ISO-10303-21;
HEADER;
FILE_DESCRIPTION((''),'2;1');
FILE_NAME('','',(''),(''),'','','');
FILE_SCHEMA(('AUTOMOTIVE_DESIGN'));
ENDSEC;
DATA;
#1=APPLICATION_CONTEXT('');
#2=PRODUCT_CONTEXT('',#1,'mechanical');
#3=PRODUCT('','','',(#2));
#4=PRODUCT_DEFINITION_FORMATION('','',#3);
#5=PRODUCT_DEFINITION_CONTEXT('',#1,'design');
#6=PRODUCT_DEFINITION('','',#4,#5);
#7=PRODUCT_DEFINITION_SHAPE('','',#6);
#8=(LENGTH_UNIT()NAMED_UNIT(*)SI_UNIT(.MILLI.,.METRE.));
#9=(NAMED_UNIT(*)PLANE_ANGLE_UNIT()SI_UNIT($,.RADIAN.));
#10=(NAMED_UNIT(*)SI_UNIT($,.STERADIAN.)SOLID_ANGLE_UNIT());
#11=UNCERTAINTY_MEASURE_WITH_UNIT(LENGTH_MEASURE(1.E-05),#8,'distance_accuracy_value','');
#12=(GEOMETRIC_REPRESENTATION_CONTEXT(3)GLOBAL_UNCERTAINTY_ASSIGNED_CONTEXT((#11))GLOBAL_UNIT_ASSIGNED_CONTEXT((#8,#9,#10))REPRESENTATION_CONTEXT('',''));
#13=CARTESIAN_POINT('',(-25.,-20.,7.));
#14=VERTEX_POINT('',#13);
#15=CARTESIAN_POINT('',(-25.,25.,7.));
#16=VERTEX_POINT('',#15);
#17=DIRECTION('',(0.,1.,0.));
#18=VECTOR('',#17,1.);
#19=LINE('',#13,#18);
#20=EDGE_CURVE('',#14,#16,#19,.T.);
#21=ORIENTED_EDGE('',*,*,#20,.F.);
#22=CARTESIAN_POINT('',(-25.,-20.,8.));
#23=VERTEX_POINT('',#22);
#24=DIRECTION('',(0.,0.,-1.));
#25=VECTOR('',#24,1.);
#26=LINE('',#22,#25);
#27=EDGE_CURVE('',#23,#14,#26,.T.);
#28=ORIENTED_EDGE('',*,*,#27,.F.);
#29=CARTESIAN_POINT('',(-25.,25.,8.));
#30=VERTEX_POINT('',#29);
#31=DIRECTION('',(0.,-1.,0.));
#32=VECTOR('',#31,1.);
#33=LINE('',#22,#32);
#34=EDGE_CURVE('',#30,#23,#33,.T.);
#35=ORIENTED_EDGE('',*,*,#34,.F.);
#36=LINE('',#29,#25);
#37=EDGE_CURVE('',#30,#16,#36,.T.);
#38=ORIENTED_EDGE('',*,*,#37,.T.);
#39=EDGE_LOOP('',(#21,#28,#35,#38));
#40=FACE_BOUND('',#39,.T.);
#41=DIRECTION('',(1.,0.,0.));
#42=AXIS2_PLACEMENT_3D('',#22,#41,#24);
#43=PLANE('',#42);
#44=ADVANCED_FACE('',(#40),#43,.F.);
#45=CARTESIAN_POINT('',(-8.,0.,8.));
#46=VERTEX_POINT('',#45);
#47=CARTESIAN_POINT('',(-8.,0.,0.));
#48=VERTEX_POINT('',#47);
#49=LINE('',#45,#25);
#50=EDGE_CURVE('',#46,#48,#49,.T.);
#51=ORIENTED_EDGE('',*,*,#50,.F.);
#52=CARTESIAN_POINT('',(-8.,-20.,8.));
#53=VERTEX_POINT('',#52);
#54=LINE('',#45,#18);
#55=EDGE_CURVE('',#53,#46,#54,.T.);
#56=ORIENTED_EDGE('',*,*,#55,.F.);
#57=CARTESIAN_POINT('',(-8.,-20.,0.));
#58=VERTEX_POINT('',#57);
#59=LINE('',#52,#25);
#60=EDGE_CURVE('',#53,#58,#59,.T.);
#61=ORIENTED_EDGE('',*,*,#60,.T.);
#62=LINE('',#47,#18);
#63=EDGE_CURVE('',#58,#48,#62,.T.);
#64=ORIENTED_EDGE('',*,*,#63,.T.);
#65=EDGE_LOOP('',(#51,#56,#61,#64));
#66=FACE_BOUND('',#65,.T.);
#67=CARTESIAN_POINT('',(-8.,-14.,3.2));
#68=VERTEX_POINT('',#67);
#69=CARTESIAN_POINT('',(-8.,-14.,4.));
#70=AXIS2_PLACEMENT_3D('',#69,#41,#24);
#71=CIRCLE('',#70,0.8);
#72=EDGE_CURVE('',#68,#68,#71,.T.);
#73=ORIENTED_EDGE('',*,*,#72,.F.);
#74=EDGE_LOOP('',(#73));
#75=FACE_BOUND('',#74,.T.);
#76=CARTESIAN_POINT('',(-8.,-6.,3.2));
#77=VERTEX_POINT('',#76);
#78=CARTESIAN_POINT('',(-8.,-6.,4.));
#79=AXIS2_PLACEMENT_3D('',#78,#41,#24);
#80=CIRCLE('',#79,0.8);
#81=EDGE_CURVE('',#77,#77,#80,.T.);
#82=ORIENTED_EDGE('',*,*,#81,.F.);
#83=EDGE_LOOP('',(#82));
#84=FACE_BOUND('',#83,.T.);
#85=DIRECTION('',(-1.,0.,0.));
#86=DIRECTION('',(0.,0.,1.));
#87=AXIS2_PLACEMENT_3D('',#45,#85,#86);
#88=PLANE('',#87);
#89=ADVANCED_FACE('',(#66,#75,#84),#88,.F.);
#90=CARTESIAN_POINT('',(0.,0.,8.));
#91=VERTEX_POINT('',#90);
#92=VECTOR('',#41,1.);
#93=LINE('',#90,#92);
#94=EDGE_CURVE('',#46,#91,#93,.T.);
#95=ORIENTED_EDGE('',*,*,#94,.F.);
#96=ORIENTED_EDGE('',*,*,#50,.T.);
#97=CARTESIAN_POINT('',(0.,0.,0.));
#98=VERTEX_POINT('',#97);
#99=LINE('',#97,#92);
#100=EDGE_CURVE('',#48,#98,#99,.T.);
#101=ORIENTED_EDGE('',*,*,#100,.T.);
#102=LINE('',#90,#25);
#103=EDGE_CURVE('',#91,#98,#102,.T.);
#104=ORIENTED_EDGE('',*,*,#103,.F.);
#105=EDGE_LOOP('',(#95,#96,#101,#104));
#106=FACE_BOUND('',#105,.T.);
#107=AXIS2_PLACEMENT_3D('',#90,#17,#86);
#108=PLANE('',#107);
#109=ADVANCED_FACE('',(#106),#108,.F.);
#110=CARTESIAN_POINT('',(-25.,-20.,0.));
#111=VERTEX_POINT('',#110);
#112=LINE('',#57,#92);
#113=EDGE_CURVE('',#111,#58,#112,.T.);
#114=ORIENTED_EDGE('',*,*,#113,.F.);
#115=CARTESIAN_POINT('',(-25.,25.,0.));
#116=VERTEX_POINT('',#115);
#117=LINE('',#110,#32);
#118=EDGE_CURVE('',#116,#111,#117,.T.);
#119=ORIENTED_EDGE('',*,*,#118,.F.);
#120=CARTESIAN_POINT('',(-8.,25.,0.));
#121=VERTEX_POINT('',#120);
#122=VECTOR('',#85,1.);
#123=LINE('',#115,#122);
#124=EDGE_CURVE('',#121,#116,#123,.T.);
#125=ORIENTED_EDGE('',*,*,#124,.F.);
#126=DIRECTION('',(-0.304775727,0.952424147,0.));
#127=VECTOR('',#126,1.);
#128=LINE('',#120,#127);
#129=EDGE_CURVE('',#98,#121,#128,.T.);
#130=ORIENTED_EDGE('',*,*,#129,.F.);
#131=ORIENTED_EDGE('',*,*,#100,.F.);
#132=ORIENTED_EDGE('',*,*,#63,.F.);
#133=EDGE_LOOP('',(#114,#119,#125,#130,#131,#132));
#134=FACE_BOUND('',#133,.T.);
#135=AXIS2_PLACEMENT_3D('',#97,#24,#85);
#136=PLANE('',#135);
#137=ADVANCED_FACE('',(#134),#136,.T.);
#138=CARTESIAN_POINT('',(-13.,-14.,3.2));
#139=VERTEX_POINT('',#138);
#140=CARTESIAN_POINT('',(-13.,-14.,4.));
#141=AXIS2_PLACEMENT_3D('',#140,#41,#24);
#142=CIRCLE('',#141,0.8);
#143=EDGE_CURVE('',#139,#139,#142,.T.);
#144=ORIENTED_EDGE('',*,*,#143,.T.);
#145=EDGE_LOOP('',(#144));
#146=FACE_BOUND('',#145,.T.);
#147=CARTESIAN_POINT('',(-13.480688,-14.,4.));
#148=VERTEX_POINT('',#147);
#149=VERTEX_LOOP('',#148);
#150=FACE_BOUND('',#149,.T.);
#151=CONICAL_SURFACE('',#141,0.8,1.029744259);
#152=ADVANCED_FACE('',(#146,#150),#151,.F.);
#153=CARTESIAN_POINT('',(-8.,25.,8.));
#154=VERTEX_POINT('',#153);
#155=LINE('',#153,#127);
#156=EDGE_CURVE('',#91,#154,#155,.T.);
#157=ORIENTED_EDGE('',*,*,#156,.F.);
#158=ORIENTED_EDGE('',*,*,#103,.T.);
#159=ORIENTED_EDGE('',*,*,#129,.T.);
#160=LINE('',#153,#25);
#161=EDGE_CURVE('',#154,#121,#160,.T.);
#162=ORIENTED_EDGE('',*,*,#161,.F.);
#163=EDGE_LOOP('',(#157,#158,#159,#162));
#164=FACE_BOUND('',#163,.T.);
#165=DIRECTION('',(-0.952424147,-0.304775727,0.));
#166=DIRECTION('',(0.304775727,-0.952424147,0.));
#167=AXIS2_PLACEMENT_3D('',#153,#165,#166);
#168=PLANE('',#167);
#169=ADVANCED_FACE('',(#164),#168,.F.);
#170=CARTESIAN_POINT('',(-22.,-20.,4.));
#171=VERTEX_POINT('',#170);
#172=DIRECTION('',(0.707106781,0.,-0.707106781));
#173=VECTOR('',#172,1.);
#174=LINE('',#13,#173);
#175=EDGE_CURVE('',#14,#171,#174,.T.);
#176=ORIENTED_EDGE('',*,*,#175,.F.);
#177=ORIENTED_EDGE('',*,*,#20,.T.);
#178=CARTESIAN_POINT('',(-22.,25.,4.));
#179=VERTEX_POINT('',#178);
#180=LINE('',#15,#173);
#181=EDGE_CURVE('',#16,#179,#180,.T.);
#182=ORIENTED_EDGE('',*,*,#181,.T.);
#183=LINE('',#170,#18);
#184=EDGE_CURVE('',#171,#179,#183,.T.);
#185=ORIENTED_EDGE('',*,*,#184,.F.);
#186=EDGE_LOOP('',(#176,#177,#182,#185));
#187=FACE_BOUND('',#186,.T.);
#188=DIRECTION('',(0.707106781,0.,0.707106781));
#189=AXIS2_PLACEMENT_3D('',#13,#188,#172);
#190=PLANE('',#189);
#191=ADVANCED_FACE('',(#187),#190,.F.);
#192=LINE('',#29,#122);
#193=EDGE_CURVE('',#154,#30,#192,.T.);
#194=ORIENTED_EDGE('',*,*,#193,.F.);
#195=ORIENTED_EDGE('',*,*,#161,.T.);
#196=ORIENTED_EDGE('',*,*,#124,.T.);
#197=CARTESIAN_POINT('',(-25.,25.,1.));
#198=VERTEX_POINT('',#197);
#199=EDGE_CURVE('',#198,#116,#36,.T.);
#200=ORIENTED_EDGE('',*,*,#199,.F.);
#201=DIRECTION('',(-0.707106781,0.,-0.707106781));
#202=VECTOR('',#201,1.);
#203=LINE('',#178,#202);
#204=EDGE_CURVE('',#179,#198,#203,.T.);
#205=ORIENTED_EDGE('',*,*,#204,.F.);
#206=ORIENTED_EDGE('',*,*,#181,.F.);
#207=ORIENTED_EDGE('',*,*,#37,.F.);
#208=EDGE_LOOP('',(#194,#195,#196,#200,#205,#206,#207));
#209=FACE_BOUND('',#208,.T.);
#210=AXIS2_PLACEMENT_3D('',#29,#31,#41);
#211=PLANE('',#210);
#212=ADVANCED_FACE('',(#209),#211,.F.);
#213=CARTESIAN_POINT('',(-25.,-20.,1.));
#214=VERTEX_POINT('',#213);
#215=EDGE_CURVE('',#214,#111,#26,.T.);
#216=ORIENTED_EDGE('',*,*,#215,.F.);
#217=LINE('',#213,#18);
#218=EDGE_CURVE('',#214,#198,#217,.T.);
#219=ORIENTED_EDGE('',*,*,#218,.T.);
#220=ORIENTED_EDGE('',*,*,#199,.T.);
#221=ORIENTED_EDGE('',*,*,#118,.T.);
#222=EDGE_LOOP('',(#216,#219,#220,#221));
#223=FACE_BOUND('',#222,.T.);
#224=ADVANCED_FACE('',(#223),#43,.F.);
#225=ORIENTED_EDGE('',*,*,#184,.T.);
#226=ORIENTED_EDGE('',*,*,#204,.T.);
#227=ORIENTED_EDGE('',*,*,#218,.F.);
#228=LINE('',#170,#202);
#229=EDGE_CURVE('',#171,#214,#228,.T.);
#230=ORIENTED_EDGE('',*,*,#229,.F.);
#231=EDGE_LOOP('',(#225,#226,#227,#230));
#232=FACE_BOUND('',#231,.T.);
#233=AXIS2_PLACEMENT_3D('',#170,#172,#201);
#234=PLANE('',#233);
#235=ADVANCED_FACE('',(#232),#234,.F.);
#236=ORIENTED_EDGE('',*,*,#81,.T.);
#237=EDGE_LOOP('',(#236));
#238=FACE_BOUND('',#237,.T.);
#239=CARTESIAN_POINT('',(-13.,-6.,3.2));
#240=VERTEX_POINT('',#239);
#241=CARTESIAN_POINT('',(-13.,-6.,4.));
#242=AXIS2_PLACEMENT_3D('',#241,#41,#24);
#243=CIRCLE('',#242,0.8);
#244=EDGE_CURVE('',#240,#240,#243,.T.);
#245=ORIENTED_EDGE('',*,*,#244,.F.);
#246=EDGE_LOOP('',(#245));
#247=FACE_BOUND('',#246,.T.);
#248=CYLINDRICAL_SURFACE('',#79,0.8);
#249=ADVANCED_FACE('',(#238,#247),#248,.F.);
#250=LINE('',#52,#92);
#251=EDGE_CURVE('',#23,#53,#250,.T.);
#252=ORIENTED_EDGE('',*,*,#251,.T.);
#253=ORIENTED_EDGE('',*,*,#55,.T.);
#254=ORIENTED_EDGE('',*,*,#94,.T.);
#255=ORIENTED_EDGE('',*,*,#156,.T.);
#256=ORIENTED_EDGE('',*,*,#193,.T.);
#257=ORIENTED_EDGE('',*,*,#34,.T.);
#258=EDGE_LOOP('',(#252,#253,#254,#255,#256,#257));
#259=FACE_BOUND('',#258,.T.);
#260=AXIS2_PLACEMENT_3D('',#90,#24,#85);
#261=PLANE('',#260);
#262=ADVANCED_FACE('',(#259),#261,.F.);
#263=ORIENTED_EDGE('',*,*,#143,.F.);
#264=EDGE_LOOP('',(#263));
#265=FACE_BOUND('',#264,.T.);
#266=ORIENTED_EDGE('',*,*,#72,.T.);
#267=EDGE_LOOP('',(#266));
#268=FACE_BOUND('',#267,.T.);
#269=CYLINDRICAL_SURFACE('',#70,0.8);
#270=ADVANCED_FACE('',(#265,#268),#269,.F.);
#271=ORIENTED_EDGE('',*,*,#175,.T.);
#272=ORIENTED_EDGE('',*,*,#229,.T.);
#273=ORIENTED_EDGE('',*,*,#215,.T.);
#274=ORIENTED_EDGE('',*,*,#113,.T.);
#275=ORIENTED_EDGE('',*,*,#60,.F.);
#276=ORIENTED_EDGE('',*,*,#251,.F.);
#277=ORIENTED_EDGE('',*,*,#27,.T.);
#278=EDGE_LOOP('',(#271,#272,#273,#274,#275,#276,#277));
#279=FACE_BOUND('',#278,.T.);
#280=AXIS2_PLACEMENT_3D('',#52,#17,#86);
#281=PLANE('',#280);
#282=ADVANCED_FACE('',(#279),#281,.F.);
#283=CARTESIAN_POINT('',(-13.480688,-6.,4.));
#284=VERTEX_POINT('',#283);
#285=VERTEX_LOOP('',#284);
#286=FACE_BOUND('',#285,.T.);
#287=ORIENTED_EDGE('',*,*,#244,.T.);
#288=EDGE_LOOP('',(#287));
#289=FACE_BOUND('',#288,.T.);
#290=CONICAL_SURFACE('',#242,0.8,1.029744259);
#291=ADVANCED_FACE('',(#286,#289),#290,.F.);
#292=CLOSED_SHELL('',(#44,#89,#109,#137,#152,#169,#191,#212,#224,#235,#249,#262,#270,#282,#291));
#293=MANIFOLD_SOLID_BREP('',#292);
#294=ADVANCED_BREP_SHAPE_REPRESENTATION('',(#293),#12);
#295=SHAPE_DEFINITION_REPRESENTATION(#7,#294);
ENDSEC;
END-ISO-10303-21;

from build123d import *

# Parameters (mm, degrees)
BOSS_EXTRUDE1_DEPTH       = 8
CUT_EXTRUDE1_DEPTH        = 46
M2X0_4_TAPPED_HOLE1_D     = 1.6
M2X0_4_TAPPED_HOLE1_DEPTH = 5
M2X0_4_TAPPED_HOLE1_TIP   = 0.480688495


with BuildPart() as part:
    # Sketch1 → Boss-Extrude1 (new body)
    with BuildSketch(Plane.XY):
        Polygon((0, 0), (-8, 0), (-8, -20), (-25, -20), (-25, 25), (-8, 25), align=None)
    extrude(amount=BOSS_EXTRUDE1_DEPTH)

    # Sketch2 → Cut-Extrude1 (cut, through all)
    with BuildSketch(Plane(origin=(0, 25, 0), x_dir=(1, 0, 0), z_dir=(0, 1, 0))):
        Polygon((-25, -4), (-25, -1), (-22, -4), (-25, -7), align=None)
    extrude(amount=-CUT_EXTRUDE1_DEPTH, mode=Mode.SUBTRACT)

    # M2x0.4 Tapped Hole1
    with Locations(Plane(origin=(-8, -6, 4), x_dir=(0, 0, 1), z_dir=(1, 0, 0))):
        with Locations((0, 0), (0, 8)):
            Hole(M2X0_4_TAPPED_HOLE1_D / 2, depth=M2X0_4_TAPPED_HOLE1_DEPTH)
            with Locations((0, 0, -(M2X0_4_TAPPED_HOLE1_DEPTH + M2X0_4_TAPPED_HOLE1_TIP / 2))):  # 118° drill point
                Cone(0, M2X0_4_TAPPED_HOLE1_D / 2, M2X0_4_TAPPED_HOLE1_TIP, mode=Mode.SUBTRACT)


solid = part.part
